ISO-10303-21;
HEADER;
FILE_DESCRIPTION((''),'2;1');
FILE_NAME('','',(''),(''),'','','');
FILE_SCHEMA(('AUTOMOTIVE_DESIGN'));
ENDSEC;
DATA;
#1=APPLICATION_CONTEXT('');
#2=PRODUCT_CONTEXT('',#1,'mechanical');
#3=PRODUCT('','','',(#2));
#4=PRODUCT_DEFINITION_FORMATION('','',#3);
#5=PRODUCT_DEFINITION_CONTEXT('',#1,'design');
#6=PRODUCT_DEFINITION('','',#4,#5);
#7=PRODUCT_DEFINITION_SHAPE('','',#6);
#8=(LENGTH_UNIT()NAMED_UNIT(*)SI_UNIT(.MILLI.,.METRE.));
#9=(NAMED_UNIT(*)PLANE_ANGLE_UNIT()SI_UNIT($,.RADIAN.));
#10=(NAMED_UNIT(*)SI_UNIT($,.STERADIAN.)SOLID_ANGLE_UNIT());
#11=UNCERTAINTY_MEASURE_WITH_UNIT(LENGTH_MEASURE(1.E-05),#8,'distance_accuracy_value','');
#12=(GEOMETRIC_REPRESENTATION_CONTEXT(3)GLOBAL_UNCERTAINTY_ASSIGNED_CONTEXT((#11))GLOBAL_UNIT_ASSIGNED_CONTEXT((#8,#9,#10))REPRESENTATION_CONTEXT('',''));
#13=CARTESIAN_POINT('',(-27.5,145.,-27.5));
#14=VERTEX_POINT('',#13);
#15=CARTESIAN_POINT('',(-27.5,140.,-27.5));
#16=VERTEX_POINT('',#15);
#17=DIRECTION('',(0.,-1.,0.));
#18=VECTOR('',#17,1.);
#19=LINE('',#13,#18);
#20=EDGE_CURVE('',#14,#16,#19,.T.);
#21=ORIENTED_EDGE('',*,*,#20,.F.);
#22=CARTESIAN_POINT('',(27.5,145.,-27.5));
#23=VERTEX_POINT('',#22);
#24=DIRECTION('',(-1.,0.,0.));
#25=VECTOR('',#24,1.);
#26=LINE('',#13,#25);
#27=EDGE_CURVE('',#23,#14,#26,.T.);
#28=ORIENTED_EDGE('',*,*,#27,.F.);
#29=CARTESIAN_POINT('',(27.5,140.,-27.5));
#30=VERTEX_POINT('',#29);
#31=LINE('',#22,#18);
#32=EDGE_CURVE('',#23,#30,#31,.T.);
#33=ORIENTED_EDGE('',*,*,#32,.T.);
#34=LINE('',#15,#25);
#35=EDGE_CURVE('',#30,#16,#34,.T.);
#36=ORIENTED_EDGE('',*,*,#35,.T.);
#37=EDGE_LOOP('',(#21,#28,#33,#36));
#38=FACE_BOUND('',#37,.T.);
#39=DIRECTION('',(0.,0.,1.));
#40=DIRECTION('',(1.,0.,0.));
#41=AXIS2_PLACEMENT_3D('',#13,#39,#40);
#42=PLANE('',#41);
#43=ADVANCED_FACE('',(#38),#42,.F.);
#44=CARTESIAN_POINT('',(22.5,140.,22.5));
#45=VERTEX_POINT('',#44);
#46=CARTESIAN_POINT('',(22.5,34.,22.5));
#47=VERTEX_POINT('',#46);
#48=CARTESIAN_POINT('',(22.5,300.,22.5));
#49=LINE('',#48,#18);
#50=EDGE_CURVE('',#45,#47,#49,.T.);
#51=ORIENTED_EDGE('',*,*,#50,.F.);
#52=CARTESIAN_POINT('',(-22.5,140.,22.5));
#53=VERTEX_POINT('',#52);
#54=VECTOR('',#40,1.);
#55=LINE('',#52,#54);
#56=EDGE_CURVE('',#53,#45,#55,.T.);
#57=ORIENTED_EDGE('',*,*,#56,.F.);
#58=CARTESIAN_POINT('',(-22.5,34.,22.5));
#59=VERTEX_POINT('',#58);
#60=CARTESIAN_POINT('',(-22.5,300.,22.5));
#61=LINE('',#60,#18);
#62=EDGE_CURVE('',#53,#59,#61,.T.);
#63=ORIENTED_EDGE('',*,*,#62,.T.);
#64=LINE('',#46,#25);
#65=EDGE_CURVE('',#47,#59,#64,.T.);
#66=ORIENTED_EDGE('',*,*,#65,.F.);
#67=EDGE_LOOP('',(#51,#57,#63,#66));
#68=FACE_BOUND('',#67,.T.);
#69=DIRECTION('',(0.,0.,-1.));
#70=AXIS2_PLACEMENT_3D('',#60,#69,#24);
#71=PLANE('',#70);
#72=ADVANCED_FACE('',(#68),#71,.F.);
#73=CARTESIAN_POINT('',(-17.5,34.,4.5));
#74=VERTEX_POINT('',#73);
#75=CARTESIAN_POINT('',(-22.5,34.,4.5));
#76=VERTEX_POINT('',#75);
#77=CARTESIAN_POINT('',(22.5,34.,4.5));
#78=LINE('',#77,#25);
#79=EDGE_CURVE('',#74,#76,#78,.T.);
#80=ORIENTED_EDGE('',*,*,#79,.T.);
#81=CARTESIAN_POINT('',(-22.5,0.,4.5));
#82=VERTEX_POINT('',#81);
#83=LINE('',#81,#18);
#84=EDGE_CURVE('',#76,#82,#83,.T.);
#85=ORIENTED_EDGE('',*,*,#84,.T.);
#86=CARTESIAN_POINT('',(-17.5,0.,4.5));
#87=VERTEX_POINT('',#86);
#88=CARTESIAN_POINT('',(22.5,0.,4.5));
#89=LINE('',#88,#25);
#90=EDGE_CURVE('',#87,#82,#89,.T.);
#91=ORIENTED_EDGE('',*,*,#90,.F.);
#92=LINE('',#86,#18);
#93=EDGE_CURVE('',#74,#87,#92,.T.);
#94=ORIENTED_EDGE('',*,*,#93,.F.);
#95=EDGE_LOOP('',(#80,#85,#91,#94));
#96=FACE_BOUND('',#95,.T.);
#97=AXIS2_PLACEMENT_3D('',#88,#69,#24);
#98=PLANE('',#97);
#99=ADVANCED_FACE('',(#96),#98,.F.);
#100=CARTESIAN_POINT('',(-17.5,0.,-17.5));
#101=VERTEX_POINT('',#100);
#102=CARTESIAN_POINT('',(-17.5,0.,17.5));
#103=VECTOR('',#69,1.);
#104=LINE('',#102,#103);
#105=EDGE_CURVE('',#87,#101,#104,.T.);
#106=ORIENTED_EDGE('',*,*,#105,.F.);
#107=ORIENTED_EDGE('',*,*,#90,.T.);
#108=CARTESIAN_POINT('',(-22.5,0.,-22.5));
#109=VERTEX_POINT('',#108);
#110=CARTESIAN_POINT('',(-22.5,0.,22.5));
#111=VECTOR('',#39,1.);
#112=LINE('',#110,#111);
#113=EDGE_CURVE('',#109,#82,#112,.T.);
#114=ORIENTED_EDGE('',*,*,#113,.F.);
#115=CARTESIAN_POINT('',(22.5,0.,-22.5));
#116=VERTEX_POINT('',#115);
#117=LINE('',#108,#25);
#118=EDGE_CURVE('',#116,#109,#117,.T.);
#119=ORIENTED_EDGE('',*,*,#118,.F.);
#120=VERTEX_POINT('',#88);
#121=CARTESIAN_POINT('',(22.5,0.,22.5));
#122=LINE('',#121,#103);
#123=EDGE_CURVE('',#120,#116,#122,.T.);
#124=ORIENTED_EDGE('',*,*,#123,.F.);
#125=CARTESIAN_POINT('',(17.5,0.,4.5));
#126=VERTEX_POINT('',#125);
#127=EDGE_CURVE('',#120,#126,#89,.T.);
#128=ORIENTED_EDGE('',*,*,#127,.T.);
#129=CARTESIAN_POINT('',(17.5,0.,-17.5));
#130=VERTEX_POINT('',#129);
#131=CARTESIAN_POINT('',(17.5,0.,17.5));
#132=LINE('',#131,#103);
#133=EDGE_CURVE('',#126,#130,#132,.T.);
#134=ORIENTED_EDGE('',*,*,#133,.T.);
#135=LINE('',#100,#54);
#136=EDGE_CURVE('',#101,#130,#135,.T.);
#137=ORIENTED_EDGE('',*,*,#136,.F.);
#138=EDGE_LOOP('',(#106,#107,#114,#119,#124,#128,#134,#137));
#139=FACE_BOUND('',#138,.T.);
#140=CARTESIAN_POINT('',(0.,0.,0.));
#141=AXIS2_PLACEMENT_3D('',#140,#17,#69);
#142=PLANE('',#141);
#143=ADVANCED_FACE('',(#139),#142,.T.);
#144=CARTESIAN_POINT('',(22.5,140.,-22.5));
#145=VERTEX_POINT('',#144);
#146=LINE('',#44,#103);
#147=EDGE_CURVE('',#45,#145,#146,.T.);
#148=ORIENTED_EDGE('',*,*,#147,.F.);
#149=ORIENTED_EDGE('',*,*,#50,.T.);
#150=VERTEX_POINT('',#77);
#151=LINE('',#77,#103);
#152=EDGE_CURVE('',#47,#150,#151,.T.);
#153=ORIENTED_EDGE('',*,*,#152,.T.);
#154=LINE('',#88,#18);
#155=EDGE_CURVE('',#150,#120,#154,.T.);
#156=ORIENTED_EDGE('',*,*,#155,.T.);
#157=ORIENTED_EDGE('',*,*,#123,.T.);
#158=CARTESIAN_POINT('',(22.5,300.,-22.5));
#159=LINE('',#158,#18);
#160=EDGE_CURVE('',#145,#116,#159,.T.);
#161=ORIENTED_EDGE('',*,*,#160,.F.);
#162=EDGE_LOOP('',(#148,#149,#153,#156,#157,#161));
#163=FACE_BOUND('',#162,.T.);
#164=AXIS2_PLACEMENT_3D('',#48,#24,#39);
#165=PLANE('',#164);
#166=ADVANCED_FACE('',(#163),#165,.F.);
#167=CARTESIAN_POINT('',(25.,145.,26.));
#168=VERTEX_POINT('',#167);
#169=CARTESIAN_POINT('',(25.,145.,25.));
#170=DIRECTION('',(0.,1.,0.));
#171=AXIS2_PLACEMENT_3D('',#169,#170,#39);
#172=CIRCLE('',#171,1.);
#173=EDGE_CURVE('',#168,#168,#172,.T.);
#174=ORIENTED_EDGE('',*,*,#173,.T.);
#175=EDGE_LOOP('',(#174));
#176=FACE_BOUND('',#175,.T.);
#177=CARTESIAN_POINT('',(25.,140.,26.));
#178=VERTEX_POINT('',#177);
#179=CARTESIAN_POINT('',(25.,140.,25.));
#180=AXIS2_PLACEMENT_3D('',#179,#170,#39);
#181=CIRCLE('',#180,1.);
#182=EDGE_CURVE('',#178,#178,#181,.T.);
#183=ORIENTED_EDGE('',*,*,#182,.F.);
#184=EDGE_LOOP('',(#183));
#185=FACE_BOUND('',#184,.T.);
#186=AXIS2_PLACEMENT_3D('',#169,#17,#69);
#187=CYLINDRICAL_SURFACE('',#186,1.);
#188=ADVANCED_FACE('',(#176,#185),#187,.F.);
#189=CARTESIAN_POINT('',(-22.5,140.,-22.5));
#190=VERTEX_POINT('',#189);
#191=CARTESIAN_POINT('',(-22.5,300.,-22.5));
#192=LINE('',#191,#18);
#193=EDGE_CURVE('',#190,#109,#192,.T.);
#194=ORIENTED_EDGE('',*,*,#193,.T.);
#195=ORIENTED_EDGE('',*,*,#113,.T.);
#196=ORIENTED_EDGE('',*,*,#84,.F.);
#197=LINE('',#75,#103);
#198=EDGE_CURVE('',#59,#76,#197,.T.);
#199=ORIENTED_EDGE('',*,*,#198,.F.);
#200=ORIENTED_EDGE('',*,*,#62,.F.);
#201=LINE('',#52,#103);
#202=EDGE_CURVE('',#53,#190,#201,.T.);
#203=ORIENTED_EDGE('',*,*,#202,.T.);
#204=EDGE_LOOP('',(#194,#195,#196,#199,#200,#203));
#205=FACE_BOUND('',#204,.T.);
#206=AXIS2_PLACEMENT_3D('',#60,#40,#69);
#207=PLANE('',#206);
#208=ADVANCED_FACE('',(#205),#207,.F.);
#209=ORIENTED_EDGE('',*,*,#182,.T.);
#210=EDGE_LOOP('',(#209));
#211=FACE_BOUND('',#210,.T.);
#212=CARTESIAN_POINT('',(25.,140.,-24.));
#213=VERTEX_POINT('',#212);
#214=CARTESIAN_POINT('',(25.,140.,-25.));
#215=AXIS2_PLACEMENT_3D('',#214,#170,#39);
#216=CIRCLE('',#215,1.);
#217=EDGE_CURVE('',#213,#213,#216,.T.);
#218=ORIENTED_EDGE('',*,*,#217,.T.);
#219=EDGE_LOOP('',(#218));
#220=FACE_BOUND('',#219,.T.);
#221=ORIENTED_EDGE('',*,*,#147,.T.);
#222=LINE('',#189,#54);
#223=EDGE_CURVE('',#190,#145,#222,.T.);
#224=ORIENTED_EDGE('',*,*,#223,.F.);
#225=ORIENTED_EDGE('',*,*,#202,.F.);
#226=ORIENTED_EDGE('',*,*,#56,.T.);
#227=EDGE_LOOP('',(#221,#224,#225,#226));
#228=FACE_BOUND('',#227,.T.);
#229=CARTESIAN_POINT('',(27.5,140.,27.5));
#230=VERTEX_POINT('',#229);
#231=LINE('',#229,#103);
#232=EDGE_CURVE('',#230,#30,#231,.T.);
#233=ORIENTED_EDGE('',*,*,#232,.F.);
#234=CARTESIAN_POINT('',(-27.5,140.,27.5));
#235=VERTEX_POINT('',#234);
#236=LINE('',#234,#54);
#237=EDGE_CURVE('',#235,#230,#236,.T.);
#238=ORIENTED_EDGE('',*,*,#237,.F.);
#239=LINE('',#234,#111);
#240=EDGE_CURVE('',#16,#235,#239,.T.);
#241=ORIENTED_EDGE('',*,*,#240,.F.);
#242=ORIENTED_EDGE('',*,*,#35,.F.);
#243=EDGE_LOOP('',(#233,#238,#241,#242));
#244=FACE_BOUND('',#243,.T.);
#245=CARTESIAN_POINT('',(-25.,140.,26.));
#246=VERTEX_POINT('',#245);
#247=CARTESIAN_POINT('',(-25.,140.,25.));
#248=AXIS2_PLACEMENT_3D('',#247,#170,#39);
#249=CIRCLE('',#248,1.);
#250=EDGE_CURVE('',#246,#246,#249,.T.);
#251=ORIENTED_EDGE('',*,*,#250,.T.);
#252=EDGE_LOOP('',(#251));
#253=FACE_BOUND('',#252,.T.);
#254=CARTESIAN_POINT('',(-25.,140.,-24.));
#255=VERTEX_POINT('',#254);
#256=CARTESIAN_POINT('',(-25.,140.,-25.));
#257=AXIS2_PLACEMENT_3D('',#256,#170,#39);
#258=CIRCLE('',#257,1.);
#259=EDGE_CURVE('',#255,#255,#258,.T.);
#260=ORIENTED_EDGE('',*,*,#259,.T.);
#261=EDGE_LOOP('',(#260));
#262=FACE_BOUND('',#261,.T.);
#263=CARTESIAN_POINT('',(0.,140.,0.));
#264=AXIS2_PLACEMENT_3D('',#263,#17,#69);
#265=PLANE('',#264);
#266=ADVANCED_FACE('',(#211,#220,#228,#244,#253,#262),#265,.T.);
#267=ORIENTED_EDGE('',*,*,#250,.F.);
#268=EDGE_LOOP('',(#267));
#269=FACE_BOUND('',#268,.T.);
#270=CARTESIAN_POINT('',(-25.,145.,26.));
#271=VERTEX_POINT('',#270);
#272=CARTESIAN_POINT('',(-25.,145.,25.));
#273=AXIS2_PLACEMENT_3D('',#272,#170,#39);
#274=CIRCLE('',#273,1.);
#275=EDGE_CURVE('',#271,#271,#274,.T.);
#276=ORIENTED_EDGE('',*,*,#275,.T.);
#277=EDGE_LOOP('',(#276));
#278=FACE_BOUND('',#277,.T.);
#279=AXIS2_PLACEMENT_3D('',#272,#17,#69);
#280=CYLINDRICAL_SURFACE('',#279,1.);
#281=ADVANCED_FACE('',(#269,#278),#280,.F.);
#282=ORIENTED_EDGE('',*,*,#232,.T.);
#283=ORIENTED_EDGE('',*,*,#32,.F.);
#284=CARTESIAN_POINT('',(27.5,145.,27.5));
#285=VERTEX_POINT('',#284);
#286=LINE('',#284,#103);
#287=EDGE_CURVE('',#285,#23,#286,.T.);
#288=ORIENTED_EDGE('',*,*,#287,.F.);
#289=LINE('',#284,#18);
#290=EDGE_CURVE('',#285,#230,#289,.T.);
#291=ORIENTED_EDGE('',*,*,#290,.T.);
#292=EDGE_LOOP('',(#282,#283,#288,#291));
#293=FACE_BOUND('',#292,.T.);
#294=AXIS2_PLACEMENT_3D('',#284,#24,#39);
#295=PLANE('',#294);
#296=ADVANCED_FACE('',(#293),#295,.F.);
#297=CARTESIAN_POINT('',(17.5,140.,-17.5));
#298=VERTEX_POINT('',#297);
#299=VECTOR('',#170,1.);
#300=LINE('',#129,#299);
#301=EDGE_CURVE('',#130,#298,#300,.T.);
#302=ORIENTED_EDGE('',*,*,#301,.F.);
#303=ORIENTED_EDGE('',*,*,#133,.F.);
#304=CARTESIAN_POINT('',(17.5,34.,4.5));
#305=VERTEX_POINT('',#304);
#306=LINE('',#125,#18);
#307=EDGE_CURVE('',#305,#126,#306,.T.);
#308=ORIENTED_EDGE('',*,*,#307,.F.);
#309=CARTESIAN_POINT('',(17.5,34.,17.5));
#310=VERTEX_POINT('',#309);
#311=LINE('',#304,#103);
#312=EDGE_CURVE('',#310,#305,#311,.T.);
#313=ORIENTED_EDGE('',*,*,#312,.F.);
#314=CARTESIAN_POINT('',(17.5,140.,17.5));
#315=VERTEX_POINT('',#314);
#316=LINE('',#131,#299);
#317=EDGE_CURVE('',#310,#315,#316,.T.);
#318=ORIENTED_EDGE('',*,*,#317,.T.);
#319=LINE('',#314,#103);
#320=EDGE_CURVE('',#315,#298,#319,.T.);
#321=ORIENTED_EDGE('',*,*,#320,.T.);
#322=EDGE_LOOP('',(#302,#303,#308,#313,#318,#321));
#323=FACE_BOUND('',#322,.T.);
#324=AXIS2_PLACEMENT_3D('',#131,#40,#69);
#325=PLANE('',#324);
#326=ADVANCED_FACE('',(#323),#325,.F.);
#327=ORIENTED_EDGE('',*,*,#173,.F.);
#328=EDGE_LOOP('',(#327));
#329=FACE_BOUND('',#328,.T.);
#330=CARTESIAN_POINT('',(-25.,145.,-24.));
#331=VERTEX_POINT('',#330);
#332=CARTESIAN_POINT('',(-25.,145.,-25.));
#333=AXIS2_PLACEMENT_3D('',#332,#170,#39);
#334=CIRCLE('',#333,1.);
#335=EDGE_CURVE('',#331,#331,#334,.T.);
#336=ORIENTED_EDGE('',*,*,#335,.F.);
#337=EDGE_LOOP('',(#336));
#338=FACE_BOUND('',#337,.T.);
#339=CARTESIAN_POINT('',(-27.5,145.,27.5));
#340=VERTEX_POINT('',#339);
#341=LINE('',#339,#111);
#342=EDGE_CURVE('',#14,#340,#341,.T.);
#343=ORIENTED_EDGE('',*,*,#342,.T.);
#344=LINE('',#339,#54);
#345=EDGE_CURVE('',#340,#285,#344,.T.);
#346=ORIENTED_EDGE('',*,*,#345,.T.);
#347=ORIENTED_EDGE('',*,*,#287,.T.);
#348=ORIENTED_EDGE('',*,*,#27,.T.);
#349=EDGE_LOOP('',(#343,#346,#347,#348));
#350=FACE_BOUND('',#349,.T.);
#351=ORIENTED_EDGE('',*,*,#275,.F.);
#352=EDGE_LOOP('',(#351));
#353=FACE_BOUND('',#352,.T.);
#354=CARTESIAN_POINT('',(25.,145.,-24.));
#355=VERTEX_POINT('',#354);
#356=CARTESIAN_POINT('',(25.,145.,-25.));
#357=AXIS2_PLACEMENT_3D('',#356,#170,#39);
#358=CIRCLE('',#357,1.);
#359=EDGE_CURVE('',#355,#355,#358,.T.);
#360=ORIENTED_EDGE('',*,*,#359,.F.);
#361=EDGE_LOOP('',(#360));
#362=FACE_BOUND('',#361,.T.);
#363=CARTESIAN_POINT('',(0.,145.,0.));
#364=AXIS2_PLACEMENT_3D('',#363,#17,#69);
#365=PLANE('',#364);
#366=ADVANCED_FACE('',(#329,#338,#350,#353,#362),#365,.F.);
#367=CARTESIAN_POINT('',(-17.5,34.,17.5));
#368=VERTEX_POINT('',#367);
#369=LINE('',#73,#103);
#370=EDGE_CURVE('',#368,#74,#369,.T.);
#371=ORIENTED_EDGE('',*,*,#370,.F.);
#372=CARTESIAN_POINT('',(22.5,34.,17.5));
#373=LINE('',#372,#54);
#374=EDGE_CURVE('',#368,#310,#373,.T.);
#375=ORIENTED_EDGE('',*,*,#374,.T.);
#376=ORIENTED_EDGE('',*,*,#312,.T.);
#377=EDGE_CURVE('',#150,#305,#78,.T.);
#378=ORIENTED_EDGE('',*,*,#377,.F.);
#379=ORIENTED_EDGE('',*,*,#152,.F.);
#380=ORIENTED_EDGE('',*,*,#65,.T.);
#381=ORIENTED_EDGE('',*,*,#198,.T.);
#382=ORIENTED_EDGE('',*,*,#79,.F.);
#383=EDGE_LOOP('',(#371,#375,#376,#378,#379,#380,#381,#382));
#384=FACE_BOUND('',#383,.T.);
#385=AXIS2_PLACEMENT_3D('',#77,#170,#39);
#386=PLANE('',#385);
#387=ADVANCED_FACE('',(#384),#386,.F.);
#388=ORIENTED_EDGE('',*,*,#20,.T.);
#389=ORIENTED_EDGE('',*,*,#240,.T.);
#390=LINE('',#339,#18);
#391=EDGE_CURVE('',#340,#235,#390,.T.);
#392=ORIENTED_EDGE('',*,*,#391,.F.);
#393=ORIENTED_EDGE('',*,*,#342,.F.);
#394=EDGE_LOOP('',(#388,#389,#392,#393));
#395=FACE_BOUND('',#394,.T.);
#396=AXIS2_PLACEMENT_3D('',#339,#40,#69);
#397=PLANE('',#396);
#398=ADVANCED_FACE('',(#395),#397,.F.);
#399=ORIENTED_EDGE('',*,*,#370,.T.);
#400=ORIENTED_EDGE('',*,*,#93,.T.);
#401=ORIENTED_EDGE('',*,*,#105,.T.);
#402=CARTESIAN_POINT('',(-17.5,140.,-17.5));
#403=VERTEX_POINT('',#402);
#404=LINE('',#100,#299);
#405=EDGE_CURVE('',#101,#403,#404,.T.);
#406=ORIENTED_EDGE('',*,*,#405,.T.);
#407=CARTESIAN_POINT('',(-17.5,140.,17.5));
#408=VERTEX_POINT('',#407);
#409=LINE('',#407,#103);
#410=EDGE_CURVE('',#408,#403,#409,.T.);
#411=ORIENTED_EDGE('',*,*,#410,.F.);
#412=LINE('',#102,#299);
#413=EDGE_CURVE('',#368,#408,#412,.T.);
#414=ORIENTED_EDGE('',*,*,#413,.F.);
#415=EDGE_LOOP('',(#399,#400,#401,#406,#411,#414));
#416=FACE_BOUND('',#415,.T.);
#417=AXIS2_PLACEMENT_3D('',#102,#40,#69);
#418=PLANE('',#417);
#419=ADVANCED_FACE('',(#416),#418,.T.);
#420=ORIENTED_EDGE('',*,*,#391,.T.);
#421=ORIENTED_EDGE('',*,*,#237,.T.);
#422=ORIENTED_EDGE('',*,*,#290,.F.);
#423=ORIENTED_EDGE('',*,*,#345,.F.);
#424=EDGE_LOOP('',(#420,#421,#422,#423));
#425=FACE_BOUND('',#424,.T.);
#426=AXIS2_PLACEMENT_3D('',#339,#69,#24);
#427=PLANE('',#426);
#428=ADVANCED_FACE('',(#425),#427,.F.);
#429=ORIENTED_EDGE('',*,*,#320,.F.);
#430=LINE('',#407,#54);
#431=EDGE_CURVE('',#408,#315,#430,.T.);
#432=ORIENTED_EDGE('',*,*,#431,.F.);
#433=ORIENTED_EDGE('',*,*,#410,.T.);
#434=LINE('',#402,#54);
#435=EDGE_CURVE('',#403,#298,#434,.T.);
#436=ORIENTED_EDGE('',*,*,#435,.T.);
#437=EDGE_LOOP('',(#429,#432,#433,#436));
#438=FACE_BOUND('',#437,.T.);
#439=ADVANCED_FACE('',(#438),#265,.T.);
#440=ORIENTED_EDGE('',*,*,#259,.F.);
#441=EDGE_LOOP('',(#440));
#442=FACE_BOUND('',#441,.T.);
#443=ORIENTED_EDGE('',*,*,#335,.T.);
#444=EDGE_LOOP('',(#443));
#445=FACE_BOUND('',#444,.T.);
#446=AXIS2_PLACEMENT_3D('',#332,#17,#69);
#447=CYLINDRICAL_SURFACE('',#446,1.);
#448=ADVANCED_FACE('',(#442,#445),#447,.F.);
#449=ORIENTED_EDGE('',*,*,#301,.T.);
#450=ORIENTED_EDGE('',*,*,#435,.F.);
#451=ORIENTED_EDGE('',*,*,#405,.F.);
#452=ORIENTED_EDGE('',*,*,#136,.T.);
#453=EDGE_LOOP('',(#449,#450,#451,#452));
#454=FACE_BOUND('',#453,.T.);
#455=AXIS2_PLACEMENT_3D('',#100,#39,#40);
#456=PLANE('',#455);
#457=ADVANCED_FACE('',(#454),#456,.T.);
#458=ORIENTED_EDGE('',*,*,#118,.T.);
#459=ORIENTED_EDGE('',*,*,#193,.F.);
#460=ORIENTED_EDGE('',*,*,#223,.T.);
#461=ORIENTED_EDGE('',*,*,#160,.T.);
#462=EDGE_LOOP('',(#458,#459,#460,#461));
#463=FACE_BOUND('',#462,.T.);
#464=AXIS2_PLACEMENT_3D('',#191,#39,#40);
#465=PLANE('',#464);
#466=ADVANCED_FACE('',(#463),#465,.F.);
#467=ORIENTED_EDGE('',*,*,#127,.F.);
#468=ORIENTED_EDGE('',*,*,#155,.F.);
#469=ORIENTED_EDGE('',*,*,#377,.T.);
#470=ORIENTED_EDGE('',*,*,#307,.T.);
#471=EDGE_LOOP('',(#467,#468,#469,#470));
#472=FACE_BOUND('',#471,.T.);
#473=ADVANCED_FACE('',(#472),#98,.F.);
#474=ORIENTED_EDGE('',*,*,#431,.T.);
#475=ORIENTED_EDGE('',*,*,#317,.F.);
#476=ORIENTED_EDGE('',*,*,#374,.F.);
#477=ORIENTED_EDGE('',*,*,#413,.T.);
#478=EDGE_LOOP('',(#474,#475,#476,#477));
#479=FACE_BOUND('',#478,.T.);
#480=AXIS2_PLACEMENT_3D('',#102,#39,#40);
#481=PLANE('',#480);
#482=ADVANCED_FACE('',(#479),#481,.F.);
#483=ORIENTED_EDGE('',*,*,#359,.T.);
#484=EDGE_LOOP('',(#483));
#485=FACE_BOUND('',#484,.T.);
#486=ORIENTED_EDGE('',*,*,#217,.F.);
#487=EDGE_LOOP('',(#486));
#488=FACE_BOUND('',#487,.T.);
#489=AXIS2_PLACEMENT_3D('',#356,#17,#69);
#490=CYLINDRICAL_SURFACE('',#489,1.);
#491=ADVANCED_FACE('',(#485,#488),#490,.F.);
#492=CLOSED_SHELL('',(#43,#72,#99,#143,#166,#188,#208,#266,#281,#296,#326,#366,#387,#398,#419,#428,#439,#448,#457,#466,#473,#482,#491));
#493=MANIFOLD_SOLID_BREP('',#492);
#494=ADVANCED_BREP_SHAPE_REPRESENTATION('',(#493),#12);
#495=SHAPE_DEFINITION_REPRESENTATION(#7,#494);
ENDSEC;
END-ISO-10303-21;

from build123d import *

# Parameters (mm, degrees)
CROQUIS1_W                 = 45
CROQUIS1_H                 = 45
SALIENTE_EXTRUIR1_DEPTH    = 300
CROQUIS4_W                 = 18
CROQUIS4_H                 = 34
CORTAR_EXTRUIR2_DEPTH      = 46
CROQUIS8_W                 = 35
CROQUIS8_H                 = 35
CORTAR_EXTRUIR3_DEPTH      = 301
CROQUIS9_W                 = 35
CROQUIS9_H                 = 21.174410022
CORTAR_EXTRUIR4_DEPTH      = 10
CROQUIS10_R                = 1
CORTAR_EXTRUIR5_DEPTH      = 10
CROQUIS11_W                = 45
CROQUIS11_H                = 26.387879272
CORTAR_EXTRUIR6_DEPTH      = 46
CROQUIS13_W                = 45
CROQUIS13_H                = 133.61212073
CORTAR_EXTRUIR9_DEPTH      = 23.5
CORTAR_EXTRUIR9_DEPTH_BACK = 23.5
CROQUIS14_W                = 55
CROQUIS14_H                = 55
CROQUIS14_R                = 1
SALIENTE_EXTRUIR3_DEPTH    = 5


with BuildPart() as part:
    # Croquis1 → Saliente-Extruir1 (new body)
    with BuildSketch(Plane(origin=(0, 0, 0), x_dir=(1, 0, 0), z_dir=(0, 1, 0))):
        Rectangle(CROQUIS1_W, CROQUIS1_H)
    extrude(amount=SALIENTE_EXTRUIR1_DEPTH)

    # Croquis4 → Cortar-Extruir2 (cut, through all)
    with BuildSketch(Plane.ZY.offset(22.5)):
        with Locations((13.5, 17)):
            Rectangle(CROQUIS4_W, CROQUIS4_H)
    extrude(amount=-CORTAR_EXTRUIR2_DEPTH, mode=Mode.SUBTRACT)

    # Croquis8 → Cortar-Extruir3 (cut, through all)
    with BuildSketch(Plane(origin=(0, 300, 0), x_dir=(1, 0, 0), z_dir=(0, 1, 0))):
        Rectangle(CROQUIS8_W, CROQUIS8_H)
    extrude(amount=-CORTAR_EXTRUIR3_DEPTH, mode=Mode.SUBTRACT)

    # Croquis9 → Cortar-Extruir4 (cut)
    with BuildSketch(Plane(origin=(0, 0, -22.5), x_dir=(-1, 0, 0), z_dir=(0, 0, -1))):
        with Locations((0, 260)):
            Rectangle(CROQUIS9_W, CROQUIS9_H)
    extrude(amount=-CORTAR_EXTRUIR4_DEPTH, mode=Mode.SUBTRACT)

    # Croquis10 → Cortar-Extruir5 (cut)
    with BuildSketch(Plane.XY.offset(22.5)):
        with Locations((0, 260)):
            Circle(CROQUIS10_R)
    extrude(amount=-CORTAR_EXTRUIR5_DEPTH, mode=Mode.SUBTRACT)

    # Croquis11 → Cortar-Extruir6 (cut, through all)
    with BuildSketch(Plane.XY.offset(22.5)):
        with Locations((0, 286.806060364)):
            Rectangle(CROQUIS11_W, CROQUIS11_H)
    extrude(amount=-CORTAR_EXTRUIR6_DEPTH, mode=Mode.SUBTRACT)

    # Croquis13 → Cortar-Extruir9 (cut, two sides)
    with BuildSketch(Plane(origin=(0, 0, 0), x_dir=(0, 0, -1), z_dir=(1, 0, 0))) as cortar_extruir9_sk:
        with Locations((0, 206.806060363)):
            Rectangle(CROQUIS13_W, CROQUIS13_H)
    extrude(amount=CORTAR_EXTRUIR9_DEPTH, mode=Mode.SUBTRACT)
    extrude(cortar_extruir9_sk.sketch, amount=-CORTAR_EXTRUIR9_DEPTH_BACK, mode=Mode.SUBTRACT)

    # Croquis14 → Saliente-Extruir3 (add)
    with BuildSketch(Plane(origin=(0, 139.999999998, 0), x_dir=(1, 0, 0), z_dir=(0, 1, 0))):
        Rectangle(CROQUIS14_W, CROQUIS14_H)
        with Locations((-25, 25)):
            Circle(CROQUIS14_R, mode=Mode.SUBTRACT)
        with Locations((25, -25)):
            Circle(CROQUIS14_R, mode=Mode.SUBTRACT)
        with Locations((25, 25)):
            Circle(CROQUIS14_R, mode=Mode.SUBTRACT)
        with Locations((-25, -25)):
            Circle(CROQUIS14_R, mode=Mode.SUBTRACT)
    extrude(amount=SALIENTE_EXTRUIR3_DEPTH)


solid = part.part
